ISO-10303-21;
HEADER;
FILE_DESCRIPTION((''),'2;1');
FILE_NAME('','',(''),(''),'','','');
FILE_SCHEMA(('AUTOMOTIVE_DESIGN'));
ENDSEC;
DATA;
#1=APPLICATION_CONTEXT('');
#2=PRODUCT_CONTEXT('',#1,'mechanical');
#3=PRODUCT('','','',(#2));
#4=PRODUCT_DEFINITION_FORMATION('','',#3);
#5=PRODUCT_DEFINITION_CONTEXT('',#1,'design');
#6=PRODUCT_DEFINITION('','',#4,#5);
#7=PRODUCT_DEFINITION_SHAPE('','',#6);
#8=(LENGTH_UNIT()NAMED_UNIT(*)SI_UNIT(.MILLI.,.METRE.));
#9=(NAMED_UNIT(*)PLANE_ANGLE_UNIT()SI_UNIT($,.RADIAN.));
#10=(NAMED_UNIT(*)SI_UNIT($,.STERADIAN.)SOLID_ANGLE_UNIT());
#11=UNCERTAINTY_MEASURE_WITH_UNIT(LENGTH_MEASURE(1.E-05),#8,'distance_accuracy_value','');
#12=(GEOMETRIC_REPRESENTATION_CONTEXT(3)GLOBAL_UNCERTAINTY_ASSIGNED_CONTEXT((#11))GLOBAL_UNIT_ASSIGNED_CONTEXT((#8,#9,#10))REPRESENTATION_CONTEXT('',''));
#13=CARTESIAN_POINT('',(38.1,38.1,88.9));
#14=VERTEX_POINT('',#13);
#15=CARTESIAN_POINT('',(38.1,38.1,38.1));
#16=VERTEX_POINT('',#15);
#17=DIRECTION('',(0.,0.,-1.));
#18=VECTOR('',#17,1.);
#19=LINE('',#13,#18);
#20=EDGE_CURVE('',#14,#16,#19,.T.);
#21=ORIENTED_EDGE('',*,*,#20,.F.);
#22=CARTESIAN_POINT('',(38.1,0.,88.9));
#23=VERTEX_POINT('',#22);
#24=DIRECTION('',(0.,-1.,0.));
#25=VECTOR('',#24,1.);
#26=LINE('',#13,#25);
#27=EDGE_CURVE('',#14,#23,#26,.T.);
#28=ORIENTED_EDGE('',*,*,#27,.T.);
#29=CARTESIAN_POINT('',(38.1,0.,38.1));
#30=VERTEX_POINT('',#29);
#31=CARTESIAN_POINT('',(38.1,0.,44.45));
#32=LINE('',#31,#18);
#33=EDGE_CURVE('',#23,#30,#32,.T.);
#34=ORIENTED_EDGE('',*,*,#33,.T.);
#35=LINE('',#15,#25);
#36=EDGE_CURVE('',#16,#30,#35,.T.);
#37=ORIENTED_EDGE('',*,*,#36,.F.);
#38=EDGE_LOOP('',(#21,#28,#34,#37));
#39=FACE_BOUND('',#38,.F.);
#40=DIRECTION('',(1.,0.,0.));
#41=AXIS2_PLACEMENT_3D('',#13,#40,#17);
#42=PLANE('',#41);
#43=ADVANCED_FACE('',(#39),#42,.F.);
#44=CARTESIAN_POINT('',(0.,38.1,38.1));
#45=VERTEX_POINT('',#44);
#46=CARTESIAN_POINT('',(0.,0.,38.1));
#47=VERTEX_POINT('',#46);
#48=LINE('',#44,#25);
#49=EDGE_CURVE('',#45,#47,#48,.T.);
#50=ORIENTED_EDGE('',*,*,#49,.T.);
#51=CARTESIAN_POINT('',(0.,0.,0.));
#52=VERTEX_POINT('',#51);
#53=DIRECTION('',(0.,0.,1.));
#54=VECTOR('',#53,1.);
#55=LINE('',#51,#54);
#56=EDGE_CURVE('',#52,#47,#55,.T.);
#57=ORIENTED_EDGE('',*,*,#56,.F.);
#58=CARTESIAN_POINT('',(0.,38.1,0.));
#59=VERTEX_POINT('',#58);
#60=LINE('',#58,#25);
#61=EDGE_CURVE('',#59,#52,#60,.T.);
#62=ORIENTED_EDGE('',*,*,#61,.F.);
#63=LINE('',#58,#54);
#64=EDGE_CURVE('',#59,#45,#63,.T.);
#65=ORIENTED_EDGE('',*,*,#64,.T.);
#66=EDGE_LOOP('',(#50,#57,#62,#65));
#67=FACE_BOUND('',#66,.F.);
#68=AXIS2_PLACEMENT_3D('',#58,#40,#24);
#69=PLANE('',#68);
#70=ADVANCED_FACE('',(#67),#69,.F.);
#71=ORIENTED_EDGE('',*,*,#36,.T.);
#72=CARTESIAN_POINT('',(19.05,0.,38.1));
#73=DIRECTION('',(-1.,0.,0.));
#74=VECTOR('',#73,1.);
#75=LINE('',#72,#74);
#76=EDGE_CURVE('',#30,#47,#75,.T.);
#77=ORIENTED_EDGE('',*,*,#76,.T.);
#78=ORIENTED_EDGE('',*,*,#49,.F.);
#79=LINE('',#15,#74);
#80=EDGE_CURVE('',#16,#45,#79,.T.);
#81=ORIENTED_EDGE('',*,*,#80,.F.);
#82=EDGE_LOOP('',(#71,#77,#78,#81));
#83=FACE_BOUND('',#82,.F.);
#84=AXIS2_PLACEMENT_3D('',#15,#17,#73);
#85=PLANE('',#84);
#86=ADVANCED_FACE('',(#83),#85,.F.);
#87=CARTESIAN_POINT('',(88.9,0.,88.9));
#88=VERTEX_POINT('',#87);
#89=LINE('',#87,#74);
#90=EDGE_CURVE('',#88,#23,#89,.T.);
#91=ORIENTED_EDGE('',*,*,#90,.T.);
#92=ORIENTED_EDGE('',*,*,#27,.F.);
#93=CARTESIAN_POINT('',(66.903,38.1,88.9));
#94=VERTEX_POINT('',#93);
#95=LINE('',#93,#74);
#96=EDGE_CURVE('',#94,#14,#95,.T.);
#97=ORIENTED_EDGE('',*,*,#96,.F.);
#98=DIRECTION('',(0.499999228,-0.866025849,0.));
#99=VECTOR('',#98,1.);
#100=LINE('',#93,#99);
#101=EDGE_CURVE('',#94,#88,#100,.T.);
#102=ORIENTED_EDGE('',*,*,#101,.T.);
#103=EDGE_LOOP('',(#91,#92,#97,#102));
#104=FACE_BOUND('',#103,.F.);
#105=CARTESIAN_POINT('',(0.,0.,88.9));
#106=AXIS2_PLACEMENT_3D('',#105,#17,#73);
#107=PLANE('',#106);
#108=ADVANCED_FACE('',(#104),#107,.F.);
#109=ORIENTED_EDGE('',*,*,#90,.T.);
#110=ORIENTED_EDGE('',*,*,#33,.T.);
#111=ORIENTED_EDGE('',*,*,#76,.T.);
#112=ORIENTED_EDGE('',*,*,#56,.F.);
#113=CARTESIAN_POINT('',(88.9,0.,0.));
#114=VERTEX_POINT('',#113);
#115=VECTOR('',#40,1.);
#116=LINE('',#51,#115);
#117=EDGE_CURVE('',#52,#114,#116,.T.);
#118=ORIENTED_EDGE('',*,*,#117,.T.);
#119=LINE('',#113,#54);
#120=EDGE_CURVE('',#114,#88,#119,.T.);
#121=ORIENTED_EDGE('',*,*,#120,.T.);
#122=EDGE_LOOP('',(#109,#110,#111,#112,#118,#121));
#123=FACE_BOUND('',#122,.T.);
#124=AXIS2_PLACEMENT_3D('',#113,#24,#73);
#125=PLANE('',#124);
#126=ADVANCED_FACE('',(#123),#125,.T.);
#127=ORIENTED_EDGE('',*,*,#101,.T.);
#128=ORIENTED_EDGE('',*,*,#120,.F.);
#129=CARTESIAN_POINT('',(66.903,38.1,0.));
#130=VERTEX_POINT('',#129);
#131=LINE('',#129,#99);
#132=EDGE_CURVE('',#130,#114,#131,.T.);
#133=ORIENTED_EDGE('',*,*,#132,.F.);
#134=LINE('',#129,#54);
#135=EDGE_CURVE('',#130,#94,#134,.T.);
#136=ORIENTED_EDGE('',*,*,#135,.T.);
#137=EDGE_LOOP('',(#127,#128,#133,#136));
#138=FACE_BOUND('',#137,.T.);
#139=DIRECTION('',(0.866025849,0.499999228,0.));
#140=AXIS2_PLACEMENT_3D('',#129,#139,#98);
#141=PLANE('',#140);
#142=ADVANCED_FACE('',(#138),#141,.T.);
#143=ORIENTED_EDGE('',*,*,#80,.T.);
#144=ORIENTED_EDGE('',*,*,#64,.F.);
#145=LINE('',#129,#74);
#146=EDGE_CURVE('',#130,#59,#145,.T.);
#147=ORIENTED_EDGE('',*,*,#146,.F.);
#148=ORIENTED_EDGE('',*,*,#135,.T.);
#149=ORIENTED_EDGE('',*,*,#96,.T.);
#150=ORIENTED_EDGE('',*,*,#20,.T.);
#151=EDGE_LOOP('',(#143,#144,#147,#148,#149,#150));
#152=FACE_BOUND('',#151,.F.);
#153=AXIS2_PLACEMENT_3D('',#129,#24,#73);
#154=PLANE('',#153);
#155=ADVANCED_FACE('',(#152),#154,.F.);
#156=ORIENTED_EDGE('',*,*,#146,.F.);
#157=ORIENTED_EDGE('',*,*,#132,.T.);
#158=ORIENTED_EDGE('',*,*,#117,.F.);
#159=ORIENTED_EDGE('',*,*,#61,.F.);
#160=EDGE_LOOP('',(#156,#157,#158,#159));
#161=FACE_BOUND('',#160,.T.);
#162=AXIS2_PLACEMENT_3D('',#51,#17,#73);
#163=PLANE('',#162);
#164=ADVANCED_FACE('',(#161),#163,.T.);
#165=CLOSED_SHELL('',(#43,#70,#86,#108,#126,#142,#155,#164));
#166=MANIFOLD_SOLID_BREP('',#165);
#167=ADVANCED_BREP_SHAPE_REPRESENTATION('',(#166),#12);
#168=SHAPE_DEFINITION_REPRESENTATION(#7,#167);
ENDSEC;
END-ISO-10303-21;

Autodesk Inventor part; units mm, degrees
ref_plane "YZ Plane" through (0, 0, 0) normal (1, 0, 0) x (0, 1, 0)
ref_plane "XZ Plane" through (0, 0, 0) normal (0, 1, 0) x (-1, 0, 0)
ref_plane "XY Plane" through (0, 0, 0) normal (0, 0, 1) x (1, 0, 0)
sketch "Sketch1" plane through (0, 0, 0) normal (0, 0, 1) x (1, 0, 0)
  line L0 (0, 0) -> (66.903, 0)
  line L1 (66.903, 0) -> (66.903, 38.1)
  line L2 (66.903, 38.1) -> (0, 38.1)
  line L3 (0, 38.1) -> (0, 0)
  dimension "d0" = 66.903
  dimension "d1" = 38.1
extrude "Extrusion1" add sketch "Sketch1" along normal blind 88.9
sketch "Sketch2" plane through (0, 38.1, 0) normal (0, 1, 0) x (1, 0, 0)
  line L0 (0, -88.9) -> (66.903, -88.9) projected
  line L1 (0, -88.9) -> (38.1, -88.9)
  line L2 (38.1, -88.9) -> (38.1, -38.1)
  line L3 (38.1, -38.1) -> (0, -38.1)
  line L4 (0, -38.1) -> (0, -88.9)
  point P0 (0, 0)
  dimension "d4" = 38.1
  dimension "d5" = 50.8
extrude "Extrusion2" cut sketch "Sketch2" against normal through all
sketch "Sketch3" plane through (0, 0, 0) normal (0, 0, -1) x (-1, 0, 0)
  line L0 (-66.903, 38.1) -> (0, 38.1) projected
  line L1 (-66.903, 38.1) -> (-88.9, 0)
  line L2 (-88.9, 0) -> (-66.903, 0)
  line L3 (-66.903, 0) -> (-66.903, 38.1)
  point P0 (0, 0)
  dimension "d8" = 60
extrude "Extrusion3" add sketch "Sketch3" against normal blind 88.9
properties part number "BO04" material "Wood (Oak)"
